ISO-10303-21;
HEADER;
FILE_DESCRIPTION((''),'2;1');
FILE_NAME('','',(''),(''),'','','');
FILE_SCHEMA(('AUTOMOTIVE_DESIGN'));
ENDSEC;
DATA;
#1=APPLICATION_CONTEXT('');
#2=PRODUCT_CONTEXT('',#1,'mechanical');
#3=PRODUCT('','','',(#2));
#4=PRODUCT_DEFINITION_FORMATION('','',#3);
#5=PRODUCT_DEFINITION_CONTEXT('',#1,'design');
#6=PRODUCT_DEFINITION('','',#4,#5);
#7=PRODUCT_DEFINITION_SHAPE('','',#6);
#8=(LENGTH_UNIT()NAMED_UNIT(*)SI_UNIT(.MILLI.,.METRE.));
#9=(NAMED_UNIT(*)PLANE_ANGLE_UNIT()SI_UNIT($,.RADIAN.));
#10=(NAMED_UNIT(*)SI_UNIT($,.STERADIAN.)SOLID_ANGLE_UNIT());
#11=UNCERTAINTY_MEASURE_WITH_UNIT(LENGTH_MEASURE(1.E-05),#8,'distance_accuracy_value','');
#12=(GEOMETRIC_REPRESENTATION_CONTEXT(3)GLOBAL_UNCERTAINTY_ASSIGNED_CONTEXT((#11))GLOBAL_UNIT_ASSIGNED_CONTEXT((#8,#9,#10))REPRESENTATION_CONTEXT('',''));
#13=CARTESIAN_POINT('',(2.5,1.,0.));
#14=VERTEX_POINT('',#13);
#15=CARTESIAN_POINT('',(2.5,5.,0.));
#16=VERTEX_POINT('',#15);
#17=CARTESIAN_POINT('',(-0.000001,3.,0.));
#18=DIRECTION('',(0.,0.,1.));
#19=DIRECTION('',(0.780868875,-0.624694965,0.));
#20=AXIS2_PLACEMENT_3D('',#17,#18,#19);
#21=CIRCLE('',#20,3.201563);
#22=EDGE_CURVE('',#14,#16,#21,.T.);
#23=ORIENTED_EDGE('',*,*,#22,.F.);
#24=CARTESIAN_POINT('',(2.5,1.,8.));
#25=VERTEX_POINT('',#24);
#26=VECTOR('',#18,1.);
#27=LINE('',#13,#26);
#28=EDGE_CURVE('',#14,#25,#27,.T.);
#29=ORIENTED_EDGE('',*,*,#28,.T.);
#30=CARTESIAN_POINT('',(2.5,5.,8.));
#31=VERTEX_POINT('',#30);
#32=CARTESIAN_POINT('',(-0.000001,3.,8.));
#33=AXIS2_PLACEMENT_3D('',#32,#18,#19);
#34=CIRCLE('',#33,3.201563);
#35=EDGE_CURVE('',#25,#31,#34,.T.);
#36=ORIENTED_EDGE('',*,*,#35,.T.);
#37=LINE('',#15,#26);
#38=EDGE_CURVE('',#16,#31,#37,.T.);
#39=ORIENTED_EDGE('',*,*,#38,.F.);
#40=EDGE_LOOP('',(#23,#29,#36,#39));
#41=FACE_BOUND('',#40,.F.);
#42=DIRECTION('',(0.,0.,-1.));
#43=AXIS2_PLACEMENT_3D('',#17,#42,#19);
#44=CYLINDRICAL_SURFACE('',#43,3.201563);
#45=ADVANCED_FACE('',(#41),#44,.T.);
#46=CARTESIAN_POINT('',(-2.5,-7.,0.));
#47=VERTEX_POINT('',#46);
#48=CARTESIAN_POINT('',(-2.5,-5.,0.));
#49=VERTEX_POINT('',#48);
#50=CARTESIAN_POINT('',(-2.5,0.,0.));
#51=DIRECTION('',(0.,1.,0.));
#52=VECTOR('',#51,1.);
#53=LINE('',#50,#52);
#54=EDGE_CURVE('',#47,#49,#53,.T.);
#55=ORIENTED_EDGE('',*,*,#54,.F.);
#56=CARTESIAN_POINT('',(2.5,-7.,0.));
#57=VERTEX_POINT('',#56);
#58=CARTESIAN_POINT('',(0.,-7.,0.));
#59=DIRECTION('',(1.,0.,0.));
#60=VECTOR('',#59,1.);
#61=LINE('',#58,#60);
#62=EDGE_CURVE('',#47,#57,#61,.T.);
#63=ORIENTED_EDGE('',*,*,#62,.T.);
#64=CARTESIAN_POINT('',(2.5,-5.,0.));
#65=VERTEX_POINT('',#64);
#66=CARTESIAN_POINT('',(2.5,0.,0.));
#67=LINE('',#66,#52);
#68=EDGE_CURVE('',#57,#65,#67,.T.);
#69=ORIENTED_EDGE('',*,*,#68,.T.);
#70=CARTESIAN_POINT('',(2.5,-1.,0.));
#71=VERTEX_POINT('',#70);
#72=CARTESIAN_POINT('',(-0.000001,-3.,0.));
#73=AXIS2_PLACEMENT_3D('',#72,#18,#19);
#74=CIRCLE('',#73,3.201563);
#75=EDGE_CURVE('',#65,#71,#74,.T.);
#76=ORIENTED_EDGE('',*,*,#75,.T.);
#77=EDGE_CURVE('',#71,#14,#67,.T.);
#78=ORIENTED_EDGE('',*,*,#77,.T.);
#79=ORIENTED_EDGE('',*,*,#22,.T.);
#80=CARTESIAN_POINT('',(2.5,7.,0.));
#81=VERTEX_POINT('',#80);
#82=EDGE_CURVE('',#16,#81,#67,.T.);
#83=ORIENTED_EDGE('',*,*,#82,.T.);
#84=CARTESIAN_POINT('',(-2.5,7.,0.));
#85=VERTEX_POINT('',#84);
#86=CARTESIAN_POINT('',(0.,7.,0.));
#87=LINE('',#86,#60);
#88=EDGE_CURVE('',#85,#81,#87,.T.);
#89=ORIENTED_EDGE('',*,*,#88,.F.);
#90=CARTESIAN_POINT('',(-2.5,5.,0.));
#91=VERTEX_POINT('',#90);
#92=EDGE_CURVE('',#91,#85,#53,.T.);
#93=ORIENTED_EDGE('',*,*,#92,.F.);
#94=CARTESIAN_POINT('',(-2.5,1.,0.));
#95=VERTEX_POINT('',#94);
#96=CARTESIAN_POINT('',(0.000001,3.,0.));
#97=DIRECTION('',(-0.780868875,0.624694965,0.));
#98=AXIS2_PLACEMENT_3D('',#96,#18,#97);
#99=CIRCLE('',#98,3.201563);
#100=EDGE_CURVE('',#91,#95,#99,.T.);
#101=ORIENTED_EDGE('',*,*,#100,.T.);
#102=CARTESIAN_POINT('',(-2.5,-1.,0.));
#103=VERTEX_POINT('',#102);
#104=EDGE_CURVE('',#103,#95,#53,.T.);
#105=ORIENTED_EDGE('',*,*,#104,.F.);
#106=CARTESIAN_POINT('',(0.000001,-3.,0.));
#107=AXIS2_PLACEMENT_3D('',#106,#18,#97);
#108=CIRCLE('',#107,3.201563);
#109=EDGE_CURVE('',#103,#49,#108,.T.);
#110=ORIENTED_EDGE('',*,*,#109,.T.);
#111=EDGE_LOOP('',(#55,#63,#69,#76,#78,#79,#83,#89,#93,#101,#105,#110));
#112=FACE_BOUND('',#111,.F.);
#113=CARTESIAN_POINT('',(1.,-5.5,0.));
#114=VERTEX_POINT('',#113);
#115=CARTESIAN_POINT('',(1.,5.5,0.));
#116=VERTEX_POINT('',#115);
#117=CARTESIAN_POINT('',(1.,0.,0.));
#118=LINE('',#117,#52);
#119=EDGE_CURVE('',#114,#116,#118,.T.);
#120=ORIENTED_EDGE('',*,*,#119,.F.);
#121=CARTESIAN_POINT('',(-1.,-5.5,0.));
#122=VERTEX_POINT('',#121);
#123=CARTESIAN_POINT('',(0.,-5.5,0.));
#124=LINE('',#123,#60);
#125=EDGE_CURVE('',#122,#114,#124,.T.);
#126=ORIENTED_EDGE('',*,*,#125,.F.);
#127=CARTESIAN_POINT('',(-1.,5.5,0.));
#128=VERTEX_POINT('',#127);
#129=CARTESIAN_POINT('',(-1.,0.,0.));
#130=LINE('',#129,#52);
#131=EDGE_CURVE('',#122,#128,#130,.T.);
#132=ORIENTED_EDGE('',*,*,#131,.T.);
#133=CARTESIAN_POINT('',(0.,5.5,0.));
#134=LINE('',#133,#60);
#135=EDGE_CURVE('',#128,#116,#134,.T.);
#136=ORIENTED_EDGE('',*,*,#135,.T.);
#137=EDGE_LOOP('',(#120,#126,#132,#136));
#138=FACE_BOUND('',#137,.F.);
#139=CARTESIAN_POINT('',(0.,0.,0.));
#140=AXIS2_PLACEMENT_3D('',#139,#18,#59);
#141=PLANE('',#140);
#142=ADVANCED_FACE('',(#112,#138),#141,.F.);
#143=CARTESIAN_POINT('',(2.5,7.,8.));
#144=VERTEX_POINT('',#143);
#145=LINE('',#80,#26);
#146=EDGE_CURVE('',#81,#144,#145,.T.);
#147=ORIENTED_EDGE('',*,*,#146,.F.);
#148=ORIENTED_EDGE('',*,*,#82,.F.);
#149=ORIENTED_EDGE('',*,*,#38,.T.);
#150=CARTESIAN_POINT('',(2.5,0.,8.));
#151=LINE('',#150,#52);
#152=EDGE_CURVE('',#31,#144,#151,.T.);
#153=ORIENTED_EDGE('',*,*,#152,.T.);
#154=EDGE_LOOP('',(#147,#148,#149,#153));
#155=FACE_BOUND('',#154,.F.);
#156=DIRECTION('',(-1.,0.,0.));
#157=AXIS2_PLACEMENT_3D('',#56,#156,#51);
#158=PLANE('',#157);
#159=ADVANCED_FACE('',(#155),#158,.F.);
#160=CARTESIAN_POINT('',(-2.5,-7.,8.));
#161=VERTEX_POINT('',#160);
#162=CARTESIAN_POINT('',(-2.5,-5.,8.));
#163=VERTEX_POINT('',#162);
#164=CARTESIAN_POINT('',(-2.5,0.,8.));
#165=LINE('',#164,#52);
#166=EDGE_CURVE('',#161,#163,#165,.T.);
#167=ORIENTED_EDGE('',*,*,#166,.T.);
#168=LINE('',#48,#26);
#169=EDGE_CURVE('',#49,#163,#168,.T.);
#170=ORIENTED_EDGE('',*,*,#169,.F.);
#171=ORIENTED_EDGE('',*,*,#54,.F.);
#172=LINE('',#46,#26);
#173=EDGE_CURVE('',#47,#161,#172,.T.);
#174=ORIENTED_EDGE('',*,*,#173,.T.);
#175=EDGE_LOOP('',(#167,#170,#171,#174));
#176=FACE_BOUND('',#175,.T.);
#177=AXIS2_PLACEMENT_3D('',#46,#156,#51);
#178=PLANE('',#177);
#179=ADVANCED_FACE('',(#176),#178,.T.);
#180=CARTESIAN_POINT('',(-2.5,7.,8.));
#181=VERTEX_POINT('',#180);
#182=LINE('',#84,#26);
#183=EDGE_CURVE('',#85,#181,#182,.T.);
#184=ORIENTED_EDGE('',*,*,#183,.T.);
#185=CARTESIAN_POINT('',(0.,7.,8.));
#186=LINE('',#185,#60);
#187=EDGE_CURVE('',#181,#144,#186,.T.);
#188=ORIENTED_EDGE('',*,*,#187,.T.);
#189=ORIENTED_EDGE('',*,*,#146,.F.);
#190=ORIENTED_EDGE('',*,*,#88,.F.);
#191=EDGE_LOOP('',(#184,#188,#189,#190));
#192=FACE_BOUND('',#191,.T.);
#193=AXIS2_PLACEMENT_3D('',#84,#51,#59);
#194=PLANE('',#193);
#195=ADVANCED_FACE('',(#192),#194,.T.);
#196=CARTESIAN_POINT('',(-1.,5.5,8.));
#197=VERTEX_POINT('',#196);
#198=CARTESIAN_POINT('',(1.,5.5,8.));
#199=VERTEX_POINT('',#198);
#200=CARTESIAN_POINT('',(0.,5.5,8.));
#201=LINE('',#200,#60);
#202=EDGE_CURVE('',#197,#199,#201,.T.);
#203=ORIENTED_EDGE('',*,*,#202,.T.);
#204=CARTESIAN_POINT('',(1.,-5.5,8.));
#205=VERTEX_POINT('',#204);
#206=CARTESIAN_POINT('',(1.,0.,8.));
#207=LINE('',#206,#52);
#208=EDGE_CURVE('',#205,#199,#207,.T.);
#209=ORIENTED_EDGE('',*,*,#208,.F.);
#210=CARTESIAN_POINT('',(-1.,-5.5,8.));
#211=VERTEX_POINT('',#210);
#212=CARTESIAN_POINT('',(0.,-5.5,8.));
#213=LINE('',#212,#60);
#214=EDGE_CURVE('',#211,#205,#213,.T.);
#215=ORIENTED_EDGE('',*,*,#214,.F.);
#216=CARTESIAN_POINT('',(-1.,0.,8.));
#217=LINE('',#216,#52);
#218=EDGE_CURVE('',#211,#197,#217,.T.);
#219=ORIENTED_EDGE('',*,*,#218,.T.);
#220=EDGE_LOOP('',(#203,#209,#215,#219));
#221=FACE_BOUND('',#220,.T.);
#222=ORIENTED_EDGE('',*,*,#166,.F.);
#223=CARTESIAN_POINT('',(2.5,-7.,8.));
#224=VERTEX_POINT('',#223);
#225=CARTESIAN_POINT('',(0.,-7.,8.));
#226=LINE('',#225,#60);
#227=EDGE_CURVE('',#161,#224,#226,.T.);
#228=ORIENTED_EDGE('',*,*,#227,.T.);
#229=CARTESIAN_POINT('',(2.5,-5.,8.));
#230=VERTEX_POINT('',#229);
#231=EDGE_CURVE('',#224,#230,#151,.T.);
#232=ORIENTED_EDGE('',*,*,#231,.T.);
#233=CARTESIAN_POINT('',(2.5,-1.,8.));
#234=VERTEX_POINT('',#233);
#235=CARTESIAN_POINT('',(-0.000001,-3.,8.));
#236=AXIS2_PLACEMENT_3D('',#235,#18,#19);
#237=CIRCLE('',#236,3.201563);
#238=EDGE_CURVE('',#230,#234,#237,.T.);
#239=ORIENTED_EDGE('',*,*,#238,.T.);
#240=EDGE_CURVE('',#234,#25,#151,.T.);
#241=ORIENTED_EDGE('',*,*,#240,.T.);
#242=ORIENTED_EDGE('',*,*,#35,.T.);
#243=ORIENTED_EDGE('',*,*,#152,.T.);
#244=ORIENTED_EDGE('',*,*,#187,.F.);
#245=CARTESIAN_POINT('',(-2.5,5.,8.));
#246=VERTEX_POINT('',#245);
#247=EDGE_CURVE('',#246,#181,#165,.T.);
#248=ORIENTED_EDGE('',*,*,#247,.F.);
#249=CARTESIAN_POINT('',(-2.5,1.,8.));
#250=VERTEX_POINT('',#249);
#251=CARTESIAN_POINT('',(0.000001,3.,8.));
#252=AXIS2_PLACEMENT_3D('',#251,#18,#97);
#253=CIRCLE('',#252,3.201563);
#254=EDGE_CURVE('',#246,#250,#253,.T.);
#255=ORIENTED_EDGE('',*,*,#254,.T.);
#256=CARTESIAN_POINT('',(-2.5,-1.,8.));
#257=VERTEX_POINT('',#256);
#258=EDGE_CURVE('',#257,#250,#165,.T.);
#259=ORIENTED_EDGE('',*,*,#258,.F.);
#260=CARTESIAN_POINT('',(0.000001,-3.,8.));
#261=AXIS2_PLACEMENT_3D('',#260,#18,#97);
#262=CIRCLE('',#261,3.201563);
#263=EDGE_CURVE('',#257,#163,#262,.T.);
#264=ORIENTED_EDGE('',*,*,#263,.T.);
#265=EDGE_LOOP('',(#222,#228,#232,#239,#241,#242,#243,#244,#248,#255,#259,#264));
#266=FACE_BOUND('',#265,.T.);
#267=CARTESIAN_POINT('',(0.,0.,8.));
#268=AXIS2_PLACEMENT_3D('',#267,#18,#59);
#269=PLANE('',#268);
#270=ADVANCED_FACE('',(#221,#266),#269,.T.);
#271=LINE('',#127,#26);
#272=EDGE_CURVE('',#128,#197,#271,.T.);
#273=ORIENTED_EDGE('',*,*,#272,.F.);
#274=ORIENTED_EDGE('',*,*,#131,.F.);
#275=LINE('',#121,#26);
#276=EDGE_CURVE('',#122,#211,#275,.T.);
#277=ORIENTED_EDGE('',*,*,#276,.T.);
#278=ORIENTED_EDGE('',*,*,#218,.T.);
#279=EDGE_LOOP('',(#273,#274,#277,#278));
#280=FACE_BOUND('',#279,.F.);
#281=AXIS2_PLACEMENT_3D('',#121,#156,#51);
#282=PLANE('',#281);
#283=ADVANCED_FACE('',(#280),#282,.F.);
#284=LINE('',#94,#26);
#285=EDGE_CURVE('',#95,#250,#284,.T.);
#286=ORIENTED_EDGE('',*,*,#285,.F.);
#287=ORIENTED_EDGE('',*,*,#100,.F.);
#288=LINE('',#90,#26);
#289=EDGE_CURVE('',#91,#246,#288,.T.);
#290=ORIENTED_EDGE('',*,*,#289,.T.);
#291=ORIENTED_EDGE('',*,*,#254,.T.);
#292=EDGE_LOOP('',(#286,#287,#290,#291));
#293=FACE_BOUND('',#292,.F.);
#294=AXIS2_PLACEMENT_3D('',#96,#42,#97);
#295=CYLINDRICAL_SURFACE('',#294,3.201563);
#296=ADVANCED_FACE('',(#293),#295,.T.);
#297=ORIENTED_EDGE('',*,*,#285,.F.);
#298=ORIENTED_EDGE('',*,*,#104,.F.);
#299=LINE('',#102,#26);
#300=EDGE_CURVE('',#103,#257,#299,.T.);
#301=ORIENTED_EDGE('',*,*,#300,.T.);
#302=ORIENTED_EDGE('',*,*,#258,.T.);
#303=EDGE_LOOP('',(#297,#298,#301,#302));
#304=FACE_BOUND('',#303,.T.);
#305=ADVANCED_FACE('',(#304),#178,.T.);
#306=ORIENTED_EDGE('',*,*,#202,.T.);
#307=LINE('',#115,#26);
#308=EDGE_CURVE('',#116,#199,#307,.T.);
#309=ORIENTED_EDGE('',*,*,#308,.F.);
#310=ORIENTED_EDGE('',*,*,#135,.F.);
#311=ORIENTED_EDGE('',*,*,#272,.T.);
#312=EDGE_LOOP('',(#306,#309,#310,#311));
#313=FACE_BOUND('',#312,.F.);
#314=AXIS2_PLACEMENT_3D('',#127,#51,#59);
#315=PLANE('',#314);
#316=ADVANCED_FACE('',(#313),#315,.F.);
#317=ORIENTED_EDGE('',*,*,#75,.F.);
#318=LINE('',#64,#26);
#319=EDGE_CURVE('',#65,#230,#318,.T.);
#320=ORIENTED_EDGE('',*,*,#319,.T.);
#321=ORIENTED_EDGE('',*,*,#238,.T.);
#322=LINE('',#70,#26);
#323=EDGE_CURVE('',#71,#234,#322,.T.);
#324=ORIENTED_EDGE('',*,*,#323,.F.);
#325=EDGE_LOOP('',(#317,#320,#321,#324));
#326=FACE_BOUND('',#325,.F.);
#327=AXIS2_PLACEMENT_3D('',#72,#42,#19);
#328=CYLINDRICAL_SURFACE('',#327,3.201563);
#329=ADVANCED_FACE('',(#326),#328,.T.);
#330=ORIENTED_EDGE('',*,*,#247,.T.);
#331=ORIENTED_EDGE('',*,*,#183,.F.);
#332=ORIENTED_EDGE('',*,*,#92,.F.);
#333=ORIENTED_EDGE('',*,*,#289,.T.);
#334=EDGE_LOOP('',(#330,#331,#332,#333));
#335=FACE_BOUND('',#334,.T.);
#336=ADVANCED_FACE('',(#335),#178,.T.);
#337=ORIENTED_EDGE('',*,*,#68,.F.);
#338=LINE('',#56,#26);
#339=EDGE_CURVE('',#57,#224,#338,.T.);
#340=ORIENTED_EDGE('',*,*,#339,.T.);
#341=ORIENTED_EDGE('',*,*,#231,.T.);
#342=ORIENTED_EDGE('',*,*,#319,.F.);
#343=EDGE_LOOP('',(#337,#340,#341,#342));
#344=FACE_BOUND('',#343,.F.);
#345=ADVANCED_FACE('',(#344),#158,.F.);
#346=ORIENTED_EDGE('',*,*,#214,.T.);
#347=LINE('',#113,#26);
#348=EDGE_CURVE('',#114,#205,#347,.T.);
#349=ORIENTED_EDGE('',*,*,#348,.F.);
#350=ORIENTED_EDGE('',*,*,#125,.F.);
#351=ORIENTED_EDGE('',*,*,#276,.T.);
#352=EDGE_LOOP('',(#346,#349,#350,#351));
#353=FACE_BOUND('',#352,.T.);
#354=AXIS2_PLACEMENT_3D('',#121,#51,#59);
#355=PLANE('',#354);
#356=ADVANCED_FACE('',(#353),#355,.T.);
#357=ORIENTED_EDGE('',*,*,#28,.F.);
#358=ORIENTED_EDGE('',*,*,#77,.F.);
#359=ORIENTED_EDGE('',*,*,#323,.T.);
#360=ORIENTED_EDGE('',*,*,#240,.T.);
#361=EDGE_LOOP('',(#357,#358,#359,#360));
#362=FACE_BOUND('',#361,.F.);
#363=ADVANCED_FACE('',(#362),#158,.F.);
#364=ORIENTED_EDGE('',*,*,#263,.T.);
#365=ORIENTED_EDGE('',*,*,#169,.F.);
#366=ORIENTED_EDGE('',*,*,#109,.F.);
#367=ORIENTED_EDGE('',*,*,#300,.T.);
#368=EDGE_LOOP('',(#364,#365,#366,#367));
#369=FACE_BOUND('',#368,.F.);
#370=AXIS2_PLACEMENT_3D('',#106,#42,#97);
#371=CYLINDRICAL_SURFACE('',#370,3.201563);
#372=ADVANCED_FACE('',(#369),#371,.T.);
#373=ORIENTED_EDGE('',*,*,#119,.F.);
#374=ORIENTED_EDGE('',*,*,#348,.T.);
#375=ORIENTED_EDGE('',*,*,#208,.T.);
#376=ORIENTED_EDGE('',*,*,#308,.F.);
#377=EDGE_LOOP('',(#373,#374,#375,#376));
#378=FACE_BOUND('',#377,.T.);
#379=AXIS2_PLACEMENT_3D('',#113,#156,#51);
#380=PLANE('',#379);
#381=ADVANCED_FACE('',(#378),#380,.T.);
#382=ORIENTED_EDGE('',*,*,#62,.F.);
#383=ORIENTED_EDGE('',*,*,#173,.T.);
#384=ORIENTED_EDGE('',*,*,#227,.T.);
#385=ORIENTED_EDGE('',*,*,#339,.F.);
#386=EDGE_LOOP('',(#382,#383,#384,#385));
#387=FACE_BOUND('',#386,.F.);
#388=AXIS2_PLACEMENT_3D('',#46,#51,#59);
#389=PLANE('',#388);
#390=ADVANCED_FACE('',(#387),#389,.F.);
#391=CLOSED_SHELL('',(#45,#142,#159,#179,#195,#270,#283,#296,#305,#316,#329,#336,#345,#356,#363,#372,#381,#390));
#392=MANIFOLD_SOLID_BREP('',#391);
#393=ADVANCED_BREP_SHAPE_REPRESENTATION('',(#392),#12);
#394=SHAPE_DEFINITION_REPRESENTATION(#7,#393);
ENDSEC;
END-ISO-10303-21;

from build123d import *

# Parameters (mm, degrees)
F0_W     = 5
F0_H     = 14
F0_W_2   = 2
F0_H_2   = 11
F1_DEPTH = 8
F3_DEPTH = 8


with BuildPart() as f1:
    # F0 (on Top) → F1 (new body)
    with BuildSketch(Plane.XY):
        Rectangle(F0_W, F0_H)
        Rectangle(F0_W_2, F0_H_2, mode=Mode.SUBTRACT)
    extrude(amount=F1_DEPTH)

    # F2 (on Top) → F3 (join)
    with BuildSketch(Plane.XY):
        with BuildLine():
            Line((2.5, 5), (2.5, 1))
            ThreePointArc((2.5, 1), (3.201562, 3), (2.5, 5))
        make_face()
        with BuildLine():
            Line((2.5, -1), (2.5, -5))
            ThreePointArc((2.5, -5), (3.201562, -3), (2.5, -1))
        make_face()
        with BuildLine():
            Line((-2.5, 1), (-2.5, 5))
            ThreePointArc((-2.5, 5), (-3.201562, 3), (-2.5, 1))
        make_face()
        with BuildLine():
            Line((-2.5, -5), (-2.5, -1))
            ThreePointArc((-2.5, -1), (-3.201562, -3), (-2.5, -5))
        make_face()
    extrude(amount=F3_DEPTH)


solid = f1.part
